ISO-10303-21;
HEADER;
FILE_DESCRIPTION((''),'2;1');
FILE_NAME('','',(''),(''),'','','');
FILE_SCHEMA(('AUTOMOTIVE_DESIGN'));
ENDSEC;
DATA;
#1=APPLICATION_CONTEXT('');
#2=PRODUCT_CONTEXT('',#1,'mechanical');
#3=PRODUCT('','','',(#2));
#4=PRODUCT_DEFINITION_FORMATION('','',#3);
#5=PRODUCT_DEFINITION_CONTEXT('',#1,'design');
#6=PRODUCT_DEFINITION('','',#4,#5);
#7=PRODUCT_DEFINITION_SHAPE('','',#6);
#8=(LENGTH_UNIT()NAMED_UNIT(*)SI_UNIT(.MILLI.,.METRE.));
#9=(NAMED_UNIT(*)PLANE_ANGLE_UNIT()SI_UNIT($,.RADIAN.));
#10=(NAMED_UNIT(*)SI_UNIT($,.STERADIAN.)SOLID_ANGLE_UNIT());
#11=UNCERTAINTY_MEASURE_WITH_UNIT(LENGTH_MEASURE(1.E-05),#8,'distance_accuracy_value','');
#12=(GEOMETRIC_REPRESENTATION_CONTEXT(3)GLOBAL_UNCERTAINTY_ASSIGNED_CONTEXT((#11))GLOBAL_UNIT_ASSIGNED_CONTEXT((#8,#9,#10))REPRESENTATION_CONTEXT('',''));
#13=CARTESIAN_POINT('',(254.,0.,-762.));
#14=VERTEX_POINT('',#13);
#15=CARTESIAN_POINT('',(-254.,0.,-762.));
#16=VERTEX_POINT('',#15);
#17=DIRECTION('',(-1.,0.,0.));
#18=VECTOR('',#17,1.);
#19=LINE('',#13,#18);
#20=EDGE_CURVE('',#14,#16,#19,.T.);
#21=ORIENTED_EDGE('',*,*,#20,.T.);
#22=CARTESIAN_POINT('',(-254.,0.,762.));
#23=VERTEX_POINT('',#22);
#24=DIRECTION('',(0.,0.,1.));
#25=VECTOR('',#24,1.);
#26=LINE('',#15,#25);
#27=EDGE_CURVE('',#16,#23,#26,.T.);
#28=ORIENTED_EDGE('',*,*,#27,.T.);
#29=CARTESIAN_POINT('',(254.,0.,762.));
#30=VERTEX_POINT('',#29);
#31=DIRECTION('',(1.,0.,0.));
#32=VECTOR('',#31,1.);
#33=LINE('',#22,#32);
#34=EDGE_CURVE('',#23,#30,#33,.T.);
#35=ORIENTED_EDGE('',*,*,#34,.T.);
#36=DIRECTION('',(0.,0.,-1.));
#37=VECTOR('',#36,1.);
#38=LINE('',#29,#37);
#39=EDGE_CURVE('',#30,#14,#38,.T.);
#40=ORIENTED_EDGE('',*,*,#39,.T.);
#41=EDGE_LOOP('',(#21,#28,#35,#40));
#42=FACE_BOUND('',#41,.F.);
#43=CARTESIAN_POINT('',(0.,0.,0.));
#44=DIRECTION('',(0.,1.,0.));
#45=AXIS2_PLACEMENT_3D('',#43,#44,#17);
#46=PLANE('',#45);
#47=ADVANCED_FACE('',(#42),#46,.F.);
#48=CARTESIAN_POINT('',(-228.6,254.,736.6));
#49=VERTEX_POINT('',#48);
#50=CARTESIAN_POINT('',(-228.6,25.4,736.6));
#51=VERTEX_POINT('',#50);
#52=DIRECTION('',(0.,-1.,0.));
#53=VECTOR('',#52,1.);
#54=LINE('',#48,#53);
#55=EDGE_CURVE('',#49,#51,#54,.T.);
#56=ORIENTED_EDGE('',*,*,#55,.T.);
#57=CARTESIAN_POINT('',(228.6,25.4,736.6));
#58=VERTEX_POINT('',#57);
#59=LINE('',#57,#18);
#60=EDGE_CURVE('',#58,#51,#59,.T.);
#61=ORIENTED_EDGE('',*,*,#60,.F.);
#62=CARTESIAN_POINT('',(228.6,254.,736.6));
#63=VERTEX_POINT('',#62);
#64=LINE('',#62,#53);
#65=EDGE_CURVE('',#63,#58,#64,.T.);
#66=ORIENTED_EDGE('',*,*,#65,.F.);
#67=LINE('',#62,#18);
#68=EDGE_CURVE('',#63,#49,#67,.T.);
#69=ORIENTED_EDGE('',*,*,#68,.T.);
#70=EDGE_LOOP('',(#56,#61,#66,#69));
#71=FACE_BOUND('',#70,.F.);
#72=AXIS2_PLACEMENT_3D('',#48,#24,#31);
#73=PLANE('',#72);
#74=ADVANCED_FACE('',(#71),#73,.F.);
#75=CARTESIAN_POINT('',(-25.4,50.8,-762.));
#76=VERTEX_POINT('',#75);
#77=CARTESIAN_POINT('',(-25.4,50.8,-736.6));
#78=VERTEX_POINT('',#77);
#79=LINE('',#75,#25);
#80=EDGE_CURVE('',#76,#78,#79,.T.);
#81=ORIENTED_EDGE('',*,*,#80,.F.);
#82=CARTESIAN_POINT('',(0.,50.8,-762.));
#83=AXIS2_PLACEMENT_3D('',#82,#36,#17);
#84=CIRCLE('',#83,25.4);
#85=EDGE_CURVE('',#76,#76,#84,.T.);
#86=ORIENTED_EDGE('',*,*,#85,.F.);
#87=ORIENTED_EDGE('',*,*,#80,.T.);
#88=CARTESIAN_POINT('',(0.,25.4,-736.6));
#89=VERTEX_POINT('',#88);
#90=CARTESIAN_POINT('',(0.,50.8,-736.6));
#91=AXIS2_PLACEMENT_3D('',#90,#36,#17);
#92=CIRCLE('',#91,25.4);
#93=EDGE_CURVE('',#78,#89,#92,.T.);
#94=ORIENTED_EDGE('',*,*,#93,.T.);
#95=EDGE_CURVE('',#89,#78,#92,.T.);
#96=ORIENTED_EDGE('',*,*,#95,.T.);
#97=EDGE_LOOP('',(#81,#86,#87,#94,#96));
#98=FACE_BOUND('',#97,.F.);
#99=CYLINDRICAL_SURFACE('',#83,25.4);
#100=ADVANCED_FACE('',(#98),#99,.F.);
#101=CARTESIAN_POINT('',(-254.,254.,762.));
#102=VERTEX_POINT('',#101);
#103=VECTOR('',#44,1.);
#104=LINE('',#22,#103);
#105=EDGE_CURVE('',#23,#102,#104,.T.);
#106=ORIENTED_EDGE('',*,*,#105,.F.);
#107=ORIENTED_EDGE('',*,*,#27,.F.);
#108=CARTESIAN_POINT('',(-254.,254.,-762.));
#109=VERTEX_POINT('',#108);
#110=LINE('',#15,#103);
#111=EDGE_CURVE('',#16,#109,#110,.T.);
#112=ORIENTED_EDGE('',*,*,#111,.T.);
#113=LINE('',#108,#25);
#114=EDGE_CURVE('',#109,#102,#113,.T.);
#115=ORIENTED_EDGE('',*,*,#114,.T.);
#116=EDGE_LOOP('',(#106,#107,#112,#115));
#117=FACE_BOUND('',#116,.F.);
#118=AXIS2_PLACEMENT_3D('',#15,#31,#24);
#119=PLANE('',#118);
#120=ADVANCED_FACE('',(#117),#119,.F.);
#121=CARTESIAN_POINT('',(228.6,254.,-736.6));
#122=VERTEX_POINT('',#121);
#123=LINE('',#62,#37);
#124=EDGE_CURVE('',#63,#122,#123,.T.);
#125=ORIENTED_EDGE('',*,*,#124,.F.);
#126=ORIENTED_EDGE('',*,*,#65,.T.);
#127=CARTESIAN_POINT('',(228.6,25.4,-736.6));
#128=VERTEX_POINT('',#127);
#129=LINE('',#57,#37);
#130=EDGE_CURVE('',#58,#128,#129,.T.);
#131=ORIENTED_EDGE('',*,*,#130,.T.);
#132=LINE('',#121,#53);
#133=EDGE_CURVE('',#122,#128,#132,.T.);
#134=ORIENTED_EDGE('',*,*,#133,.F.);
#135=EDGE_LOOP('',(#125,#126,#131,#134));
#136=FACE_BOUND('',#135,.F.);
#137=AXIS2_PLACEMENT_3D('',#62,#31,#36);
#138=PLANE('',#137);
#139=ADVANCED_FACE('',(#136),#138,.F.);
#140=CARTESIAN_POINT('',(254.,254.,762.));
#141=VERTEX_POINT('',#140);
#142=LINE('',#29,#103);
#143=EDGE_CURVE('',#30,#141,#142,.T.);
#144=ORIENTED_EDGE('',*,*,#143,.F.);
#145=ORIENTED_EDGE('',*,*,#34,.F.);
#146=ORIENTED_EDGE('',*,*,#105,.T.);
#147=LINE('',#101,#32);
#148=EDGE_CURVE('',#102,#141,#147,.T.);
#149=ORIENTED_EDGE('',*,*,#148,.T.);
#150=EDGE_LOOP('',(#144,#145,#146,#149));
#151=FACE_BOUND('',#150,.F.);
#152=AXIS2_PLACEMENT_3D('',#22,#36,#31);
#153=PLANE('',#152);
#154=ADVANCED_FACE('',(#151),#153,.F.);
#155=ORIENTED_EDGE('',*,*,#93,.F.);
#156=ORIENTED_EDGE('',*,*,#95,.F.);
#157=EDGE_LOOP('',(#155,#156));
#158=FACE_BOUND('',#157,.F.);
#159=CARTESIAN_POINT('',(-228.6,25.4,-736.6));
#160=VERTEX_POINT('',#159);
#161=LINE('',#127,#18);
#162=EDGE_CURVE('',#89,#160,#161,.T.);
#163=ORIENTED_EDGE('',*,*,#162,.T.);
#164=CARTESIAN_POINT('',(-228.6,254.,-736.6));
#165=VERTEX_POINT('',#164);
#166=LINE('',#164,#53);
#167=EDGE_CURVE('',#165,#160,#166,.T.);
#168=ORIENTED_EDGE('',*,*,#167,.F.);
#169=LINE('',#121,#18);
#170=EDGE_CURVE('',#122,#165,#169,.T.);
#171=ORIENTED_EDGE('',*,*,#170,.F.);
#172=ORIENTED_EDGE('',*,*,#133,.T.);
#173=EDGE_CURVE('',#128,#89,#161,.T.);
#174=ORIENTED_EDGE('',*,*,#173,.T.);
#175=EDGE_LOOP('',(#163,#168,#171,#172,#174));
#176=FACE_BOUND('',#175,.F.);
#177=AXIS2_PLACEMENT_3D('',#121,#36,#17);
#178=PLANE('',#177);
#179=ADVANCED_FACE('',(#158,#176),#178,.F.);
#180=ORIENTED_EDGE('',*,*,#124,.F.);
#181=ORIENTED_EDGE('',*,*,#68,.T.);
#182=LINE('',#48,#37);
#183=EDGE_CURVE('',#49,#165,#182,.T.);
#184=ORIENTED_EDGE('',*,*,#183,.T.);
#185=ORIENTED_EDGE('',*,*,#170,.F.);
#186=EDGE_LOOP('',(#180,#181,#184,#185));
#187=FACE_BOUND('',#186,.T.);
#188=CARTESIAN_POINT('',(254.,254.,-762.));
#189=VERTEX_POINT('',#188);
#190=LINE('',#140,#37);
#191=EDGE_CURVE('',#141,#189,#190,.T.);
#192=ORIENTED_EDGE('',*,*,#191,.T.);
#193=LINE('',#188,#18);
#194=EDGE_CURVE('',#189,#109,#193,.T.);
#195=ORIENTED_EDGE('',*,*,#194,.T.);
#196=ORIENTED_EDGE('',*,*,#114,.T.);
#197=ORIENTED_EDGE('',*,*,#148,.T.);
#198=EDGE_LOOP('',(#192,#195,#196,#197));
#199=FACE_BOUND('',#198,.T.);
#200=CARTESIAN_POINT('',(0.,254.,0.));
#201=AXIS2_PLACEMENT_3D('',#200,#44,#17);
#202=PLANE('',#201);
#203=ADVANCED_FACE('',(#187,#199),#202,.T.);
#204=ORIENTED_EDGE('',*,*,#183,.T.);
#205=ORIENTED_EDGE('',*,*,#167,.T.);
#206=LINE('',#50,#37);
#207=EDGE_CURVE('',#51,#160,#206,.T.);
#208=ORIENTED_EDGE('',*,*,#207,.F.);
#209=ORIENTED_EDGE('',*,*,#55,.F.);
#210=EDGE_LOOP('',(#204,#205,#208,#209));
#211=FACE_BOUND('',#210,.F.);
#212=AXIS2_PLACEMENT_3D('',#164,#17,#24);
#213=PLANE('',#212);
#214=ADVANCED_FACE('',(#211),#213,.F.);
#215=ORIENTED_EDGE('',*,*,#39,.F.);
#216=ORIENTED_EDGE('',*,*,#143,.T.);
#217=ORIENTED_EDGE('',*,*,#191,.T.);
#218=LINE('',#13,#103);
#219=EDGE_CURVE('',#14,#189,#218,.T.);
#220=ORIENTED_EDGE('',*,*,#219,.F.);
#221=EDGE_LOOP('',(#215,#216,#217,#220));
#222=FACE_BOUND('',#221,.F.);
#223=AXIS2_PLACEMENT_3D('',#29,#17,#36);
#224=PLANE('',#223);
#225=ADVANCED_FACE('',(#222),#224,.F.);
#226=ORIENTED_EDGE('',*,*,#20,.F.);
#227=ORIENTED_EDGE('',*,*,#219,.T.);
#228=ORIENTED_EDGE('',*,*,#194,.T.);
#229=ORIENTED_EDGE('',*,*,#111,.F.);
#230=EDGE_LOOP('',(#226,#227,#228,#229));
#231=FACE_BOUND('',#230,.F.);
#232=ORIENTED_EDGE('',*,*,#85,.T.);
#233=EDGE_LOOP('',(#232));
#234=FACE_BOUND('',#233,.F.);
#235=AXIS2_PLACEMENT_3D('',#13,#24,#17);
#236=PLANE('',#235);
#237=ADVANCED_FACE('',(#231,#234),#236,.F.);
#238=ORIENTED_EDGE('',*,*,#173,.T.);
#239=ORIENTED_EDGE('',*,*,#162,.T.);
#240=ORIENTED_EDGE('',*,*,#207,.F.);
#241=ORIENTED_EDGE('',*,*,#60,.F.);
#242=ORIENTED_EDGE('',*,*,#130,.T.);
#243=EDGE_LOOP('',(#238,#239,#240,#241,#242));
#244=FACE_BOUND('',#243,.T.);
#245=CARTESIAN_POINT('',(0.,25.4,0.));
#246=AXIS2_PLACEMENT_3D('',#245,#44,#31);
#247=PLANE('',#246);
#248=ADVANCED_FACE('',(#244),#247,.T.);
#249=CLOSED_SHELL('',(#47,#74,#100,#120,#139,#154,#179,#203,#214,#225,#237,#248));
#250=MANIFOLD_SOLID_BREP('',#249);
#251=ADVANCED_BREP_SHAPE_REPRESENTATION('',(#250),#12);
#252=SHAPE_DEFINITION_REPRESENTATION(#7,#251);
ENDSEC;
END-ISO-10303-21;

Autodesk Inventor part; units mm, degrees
ref_plane "YZ Plane" through (0, 0, 0) normal (1, 0, 0) x (0, 1, 0)
ref_plane "XZ Plane" through (0, 0, 0) normal (0, 1, 0) x (-1, 0, 0)
ref_plane "XY Plane" through (0, 0, 0) normal (0, 0, 1) x (1, 0, 0)
sketch "Sketch1" plane through (0, 0, 0) normal (0, 1, 0) x (-1, 0, 0)
  line L0 (254, 762) -> (-254, 762)
  line L1 (-254, 762) -> (-254, -762)
  line L2 (-254, -762) -> (254, -762)
  line L3 (254, -762) -> (254, 762)
  line L4 (254, 762) -> (-254, -762) construction
  line L5 (-254, 762) -> (254, -762) construction
  point P0 (0, 0)
  dimension "d0" = 508
  dimension "d1" = 1524
extrude "Extrusion1" add sketch "Sketch1" along normal blind 254
sketch "Sketch2" plane through (0, 254, 0) normal (0, 1, 0) x (1, 0, 0)
  line L0 (-254, -762) -> (254, -762) projected
  line L1 (254, 762) -> (-254, 762)
  line L2 (-254, 762) -> (-254, -762)
  line L3 (-254, -762) -> (254, -762)
  line L4 (254, -762) -> (254, 762)
  line L5 (254, 762) -> (-254, -762) construction
  line L6 (-254, 762) -> (254, -762) construction
  line L7 (0, -762) -> (0, -736.6)
  line L8 (-254, 762) -> (-254, -762) projected
  line L9 (-254, 0) -> (-228.6, 0)
  line L10 (228.6, 736.6) -> (-228.6, 736.6)
  line L11 (-228.6, 736.6) -> (-228.6, -736.6)
  line L12 (-228.6, -736.6) -> (228.6, -736.6)
  line L13 (228.6, -736.6) -> (228.6, 736.6)
  line L14 (228.6, 736.6) -> (-228.6, -736.6) construction
  line L15 (-228.6, 736.6) -> (228.6, -736.6) construction
  point P0 (0, 0)
  dimension "d4" = 25.4
  dimension "d5" = 25.4
extrude "Extrusion2" cut sketch "Sketch2" against normal blind 228.6 contours L12 L11 L10 L13
sketch "Sketch3" plane through (254, 0, -762) normal (0, 0, -1) x (-1, 0, 0)
  line L0 (25.4, 254) -> (482.6, 254) projected
  line L1 (254, 254) -> (254, 50.8) construction
  circle A0 centre (254, 50.8) radius 25.4
  point P0 (254, 0)
  dimension "d8" = 203.2
  dimension "d9" = 50.8
extrude "Extrusion3" cut sketch "Sketch3" against normal blind 228.6
properties part number "Trough"
